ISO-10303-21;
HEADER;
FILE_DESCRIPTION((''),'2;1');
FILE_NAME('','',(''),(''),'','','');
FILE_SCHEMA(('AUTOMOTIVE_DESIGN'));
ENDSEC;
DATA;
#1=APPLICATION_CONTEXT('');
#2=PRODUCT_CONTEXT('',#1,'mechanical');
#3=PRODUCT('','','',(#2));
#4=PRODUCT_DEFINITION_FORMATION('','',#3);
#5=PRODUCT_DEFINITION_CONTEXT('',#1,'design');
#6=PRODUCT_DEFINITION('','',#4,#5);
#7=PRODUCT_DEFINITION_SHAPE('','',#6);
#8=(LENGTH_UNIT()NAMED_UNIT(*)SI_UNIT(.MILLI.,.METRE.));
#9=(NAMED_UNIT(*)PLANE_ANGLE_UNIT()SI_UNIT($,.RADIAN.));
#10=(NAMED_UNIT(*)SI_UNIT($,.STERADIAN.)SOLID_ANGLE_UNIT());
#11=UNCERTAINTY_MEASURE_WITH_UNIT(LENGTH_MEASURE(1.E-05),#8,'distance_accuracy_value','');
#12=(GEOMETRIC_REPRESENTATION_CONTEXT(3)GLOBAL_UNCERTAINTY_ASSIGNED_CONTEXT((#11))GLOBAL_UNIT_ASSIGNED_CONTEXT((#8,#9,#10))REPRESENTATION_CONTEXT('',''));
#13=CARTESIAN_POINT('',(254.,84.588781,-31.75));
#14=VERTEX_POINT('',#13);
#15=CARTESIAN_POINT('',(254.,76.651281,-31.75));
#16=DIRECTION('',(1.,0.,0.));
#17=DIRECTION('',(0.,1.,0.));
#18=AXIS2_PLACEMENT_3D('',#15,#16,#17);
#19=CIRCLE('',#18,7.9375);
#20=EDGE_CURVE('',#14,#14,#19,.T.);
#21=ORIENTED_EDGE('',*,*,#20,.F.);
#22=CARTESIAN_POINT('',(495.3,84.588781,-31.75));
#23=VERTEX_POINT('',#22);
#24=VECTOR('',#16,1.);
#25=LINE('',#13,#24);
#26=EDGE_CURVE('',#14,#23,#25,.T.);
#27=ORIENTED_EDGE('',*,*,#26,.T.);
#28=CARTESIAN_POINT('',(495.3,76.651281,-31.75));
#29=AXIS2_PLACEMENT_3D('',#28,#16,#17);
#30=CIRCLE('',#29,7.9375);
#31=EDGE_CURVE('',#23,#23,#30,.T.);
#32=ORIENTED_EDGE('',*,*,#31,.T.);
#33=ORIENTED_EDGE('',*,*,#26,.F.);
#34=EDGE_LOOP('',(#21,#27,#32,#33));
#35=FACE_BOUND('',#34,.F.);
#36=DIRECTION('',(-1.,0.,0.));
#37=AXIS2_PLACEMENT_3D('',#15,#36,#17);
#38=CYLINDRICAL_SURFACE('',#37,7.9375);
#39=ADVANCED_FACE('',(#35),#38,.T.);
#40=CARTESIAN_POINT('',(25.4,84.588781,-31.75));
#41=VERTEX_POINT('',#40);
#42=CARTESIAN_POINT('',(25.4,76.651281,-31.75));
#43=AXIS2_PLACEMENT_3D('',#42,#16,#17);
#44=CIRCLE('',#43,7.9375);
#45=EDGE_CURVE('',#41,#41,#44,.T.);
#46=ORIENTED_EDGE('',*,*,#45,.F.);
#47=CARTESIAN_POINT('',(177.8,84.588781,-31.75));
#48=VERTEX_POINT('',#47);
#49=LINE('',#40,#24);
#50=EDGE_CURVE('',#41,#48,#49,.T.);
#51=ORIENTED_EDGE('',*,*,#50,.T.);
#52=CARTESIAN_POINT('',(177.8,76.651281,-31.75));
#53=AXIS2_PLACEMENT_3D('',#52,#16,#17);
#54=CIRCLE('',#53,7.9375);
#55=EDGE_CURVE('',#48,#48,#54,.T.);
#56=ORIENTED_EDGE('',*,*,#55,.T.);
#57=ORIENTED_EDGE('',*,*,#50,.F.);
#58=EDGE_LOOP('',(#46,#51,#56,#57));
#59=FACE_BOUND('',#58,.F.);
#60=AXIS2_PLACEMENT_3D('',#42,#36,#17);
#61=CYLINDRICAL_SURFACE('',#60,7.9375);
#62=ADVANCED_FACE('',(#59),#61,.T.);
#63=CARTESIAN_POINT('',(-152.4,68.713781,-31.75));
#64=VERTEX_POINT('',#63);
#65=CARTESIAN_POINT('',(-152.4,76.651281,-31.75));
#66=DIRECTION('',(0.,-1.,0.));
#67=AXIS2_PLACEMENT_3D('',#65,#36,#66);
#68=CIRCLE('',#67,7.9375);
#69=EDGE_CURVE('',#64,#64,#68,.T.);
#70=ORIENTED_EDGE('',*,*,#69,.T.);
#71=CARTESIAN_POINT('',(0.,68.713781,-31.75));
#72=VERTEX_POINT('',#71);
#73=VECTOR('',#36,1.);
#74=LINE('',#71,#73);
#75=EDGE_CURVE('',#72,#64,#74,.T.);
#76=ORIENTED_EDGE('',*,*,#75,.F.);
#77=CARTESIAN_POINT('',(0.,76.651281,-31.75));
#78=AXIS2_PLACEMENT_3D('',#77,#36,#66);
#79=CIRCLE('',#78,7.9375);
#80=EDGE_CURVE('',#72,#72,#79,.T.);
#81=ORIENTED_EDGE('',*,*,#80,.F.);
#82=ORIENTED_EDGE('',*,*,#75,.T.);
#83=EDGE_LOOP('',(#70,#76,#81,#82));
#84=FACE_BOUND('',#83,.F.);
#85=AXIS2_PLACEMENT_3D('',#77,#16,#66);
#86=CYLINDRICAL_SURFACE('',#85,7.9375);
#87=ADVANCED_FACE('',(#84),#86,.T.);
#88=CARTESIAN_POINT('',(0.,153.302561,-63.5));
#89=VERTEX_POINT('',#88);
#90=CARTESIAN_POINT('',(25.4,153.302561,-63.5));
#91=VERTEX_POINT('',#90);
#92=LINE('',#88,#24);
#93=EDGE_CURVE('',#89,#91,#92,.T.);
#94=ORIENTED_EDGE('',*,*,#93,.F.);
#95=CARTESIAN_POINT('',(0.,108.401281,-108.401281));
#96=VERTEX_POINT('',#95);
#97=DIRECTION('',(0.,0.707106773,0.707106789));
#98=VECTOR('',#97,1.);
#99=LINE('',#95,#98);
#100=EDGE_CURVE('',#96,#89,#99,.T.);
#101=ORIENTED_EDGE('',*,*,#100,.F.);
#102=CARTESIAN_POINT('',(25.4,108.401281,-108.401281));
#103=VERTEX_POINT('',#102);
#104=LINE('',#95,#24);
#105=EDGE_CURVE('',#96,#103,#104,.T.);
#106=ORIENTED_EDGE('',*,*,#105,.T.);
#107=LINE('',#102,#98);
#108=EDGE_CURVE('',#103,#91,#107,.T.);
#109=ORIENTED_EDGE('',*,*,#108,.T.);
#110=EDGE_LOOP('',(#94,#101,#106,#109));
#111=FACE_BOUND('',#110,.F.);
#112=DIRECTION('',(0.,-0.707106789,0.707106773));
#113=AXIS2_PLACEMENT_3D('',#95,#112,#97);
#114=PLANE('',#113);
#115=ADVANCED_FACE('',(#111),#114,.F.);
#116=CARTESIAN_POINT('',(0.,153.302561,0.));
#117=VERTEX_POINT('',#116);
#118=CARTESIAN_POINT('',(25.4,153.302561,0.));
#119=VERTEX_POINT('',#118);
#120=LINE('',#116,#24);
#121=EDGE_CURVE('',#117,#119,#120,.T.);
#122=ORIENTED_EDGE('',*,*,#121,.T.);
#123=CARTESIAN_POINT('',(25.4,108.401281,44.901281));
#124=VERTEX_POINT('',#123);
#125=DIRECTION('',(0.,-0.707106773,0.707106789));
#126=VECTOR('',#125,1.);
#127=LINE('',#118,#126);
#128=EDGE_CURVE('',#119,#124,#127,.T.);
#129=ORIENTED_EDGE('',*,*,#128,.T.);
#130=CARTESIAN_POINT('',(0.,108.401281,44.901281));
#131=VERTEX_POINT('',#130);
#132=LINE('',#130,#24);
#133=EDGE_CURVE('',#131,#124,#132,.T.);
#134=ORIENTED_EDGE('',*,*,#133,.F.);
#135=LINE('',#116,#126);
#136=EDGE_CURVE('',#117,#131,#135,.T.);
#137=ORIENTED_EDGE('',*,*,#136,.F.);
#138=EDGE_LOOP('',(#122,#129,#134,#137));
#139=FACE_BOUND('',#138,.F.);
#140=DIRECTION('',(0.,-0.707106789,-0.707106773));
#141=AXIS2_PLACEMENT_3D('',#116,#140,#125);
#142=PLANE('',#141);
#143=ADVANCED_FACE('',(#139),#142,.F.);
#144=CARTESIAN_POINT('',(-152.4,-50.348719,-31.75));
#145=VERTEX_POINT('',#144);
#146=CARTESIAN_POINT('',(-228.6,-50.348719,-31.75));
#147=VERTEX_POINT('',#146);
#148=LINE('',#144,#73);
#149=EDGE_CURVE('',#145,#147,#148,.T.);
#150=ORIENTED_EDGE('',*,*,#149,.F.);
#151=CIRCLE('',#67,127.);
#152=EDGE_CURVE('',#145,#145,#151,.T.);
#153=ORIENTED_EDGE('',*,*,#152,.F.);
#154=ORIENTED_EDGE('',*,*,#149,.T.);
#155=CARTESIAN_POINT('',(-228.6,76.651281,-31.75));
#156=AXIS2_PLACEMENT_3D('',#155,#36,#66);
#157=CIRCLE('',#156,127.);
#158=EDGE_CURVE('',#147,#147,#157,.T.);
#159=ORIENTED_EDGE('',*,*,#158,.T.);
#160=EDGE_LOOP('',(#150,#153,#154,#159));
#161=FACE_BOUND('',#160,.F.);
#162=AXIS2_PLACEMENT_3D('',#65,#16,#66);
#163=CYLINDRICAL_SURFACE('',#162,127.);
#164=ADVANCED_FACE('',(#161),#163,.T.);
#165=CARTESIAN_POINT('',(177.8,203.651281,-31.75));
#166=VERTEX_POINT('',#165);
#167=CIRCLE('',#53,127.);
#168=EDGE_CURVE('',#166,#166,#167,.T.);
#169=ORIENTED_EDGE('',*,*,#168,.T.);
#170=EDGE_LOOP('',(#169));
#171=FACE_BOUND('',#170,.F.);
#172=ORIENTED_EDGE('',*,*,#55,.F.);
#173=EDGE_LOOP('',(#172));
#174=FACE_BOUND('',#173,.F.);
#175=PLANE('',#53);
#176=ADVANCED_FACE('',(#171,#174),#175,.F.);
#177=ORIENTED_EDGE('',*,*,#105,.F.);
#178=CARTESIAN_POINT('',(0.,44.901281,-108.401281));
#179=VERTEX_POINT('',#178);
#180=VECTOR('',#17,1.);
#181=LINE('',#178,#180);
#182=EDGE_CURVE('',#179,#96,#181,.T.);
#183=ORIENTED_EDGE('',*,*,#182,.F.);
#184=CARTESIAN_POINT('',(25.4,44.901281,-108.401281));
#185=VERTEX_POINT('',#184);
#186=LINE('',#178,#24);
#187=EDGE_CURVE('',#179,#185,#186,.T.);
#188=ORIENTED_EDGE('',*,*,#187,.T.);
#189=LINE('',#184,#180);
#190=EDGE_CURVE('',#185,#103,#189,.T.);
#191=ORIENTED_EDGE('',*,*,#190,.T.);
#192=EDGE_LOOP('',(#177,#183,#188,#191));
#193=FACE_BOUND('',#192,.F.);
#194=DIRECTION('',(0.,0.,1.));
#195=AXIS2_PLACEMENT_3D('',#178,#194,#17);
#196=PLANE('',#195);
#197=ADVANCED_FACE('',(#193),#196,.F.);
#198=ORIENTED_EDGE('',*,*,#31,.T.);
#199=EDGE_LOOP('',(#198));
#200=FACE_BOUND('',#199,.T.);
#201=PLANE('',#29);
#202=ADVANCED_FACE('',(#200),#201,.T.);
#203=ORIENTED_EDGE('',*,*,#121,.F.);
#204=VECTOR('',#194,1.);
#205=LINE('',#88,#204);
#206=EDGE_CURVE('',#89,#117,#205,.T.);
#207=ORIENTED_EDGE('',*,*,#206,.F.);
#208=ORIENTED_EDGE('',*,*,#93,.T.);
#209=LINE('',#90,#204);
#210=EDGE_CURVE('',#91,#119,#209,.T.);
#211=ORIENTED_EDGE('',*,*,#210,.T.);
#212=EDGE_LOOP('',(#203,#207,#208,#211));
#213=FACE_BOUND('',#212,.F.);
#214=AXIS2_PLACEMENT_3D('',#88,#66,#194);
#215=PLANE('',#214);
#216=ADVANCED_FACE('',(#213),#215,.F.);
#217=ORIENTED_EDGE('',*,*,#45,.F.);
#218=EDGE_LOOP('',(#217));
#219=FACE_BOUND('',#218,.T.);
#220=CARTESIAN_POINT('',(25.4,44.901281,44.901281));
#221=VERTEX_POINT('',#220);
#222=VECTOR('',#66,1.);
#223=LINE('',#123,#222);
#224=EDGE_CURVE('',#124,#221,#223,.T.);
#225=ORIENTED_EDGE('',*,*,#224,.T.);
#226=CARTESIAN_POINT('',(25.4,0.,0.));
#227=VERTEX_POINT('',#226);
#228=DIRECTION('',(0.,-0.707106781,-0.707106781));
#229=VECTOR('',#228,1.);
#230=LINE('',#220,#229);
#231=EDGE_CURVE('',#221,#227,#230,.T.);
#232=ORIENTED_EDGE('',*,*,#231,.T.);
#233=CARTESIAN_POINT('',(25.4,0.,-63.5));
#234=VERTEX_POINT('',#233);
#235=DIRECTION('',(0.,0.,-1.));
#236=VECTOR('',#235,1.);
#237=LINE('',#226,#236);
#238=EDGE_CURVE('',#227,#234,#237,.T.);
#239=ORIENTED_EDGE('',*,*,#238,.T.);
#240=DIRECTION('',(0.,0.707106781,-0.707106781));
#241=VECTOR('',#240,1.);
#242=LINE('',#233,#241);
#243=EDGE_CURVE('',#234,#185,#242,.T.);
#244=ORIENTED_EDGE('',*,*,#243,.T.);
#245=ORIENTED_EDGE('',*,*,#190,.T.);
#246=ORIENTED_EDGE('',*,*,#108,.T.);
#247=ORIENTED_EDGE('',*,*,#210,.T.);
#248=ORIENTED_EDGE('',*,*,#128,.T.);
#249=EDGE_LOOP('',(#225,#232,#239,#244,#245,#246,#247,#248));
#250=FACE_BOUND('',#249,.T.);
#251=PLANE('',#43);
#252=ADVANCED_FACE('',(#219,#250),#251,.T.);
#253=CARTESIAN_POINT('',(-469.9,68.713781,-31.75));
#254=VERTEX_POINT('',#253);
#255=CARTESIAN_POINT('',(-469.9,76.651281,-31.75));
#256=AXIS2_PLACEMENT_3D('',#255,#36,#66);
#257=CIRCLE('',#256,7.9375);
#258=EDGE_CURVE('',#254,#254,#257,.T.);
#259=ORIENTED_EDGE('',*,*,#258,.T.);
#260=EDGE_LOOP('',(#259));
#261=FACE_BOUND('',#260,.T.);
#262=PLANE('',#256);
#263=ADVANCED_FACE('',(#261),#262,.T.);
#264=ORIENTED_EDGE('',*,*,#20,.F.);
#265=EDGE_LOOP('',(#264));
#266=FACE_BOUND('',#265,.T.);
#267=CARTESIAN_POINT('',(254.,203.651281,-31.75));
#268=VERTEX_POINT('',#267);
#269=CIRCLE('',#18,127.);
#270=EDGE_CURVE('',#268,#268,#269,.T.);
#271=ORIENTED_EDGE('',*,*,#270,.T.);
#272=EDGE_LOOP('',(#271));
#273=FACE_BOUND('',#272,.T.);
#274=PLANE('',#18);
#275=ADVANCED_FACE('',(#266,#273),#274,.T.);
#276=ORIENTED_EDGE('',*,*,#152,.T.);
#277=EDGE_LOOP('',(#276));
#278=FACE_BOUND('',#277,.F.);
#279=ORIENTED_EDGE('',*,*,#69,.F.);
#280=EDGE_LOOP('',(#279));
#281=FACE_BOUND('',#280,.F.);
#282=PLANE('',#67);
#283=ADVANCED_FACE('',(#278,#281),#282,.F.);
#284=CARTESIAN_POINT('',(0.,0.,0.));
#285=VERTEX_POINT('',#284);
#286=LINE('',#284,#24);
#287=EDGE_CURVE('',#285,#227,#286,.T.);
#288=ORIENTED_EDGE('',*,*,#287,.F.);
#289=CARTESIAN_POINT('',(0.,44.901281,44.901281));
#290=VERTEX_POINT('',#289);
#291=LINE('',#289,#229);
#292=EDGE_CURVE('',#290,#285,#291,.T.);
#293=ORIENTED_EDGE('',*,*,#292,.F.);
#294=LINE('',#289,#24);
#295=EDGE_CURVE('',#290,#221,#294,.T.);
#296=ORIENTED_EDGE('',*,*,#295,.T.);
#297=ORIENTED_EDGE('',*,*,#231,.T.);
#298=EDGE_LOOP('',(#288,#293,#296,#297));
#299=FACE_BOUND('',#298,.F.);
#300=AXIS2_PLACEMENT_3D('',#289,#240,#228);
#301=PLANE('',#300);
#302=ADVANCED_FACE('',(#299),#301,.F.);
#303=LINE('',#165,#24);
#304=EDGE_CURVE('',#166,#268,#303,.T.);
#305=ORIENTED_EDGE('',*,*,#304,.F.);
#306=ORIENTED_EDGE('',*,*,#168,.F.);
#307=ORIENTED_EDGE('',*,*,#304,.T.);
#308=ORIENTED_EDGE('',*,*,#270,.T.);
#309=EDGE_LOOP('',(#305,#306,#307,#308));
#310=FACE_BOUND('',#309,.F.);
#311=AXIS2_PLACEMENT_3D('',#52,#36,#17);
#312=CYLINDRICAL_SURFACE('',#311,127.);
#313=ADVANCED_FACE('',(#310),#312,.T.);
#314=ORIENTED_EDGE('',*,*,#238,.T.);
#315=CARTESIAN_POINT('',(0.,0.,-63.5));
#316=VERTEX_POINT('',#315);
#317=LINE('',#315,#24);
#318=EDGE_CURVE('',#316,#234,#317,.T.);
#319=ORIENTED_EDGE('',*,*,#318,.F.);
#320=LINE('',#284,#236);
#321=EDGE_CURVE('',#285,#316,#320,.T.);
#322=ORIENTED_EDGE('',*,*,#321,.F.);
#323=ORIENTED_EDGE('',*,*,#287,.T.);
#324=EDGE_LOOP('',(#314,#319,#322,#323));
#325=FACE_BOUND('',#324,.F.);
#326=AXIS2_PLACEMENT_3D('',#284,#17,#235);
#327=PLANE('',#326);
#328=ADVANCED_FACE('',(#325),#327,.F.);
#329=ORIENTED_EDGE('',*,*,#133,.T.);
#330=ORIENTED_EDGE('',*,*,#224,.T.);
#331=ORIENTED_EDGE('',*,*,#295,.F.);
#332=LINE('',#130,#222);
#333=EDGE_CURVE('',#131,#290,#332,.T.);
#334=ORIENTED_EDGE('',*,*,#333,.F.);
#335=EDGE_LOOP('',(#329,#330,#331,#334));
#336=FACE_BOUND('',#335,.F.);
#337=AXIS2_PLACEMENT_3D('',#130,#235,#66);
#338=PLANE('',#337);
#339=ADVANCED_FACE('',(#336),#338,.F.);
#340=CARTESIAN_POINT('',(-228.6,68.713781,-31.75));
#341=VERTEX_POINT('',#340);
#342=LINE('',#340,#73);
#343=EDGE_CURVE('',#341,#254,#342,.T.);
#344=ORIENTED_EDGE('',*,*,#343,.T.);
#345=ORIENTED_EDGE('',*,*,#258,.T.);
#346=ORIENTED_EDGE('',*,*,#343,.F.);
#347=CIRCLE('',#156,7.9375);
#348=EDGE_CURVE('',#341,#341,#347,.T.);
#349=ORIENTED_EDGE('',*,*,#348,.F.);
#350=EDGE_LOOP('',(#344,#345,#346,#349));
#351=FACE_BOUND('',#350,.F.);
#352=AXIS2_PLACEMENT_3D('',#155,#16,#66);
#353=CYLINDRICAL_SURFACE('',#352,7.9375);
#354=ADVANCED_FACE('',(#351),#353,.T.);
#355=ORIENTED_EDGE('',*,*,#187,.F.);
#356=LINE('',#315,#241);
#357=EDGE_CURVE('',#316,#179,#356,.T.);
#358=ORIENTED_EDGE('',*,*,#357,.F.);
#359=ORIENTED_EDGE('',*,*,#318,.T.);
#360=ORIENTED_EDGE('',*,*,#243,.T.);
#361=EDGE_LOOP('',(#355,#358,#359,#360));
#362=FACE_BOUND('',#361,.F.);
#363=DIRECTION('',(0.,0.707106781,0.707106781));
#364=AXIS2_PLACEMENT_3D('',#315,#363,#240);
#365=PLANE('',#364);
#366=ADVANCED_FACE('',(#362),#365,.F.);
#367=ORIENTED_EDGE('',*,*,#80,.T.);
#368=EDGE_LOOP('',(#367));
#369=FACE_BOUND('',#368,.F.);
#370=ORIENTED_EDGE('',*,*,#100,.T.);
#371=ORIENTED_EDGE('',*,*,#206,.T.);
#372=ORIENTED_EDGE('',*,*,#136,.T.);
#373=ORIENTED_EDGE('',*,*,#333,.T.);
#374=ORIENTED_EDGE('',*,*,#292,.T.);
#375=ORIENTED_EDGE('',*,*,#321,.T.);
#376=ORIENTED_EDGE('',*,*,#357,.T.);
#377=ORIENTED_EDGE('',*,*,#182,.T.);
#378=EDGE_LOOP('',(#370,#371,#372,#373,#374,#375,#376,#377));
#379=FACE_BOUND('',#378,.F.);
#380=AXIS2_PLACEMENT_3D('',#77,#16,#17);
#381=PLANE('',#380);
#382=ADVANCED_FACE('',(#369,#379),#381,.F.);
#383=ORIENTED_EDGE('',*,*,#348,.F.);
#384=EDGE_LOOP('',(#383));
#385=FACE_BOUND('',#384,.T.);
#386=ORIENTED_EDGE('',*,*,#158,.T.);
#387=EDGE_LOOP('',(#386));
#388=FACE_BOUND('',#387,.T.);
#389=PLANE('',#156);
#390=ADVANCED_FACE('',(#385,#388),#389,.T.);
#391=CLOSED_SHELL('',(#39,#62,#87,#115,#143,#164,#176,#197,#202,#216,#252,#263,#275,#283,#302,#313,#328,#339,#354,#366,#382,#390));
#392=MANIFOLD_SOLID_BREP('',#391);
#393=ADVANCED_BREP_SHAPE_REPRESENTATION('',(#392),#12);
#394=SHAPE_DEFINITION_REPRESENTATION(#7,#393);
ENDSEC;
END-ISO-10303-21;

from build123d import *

# Parameters (mm, degrees)
F1_DEPTH  = 25.4
F2_R      = 7.9375
F3_DEPTH  = 152.4
F4_R      = 127
F5_DEPTH  = 76.2
F6_R      = 7.9375
F7_DEPTH  = 241.3
F8_R      = 7.9375
F9_DEPTH  = 152.4
F10_R     = 127
F11_DEPTH = 76.2
F12_R     = 7.9375
F13_DEPTH = 241.3


with BuildPart() as f1:
    # F0 (on Right) → F1 (new body)
    with BuildSketch(Plane.YZ):
        Polygon((44.901281, 44.901281), (0, 0), (0, -63.5), (44.901281, -108.401281), (108.401281, -108.401281), (153.302561, -63.5), (153.302561, 0), (108.401281, 44.901281), align=None)
    extrude(amount=F1_DEPTH)

    # F2 (on face) → F3 (join)
    with BuildSketch(Plane.YZ.offset(25.4)):
        with Locations((76.651281, -31.75)):
            Circle(F2_R)
    extrude(amount=F3_DEPTH)

    # F4 (on face) → F5 (join)
    with BuildSketch(Plane.YZ.offset(177.8)):
        with Locations((76.651281, -31.75)):
            Circle(F4_R)
    extrude(amount=F5_DEPTH)

    # F6 (on face) → F7 (join)
    with BuildSketch(Plane.YZ.offset(254)):
        with Locations((76.651281, -31.75)):
            Circle(F6_R)
    extrude(amount=F7_DEPTH)

    # F8 (on face) → F9 (join)
    with BuildSketch(Plane(origin=(0, 0, 0), x_dir=(0, -1, 0), z_dir=(-1, 0, 0))):
        with Locations((-76.651281, -31.75)):
            Circle(F8_R)
    extrude(amount=F9_DEPTH)

    # F10 (on face) → F11 (join)
    with BuildSketch(Plane(origin=(-152.4, 0, 0), x_dir=(0, -1, 0), z_dir=(-1, 0, 0))):
        with Locations((-76.651281, -31.75)):
            Circle(F10_R)
    extrude(amount=F11_DEPTH)

    # F12 (on face) → F13 (join)
    with BuildSketch(Plane(origin=(-228.6, 0, 0), x_dir=(0, -1, 0), z_dir=(-1, 0, 0))):
        with Locations((-76.651281, -31.75)):
            Circle(F12_R)
    extrude(amount=F13_DEPTH)


solid = f1.part
